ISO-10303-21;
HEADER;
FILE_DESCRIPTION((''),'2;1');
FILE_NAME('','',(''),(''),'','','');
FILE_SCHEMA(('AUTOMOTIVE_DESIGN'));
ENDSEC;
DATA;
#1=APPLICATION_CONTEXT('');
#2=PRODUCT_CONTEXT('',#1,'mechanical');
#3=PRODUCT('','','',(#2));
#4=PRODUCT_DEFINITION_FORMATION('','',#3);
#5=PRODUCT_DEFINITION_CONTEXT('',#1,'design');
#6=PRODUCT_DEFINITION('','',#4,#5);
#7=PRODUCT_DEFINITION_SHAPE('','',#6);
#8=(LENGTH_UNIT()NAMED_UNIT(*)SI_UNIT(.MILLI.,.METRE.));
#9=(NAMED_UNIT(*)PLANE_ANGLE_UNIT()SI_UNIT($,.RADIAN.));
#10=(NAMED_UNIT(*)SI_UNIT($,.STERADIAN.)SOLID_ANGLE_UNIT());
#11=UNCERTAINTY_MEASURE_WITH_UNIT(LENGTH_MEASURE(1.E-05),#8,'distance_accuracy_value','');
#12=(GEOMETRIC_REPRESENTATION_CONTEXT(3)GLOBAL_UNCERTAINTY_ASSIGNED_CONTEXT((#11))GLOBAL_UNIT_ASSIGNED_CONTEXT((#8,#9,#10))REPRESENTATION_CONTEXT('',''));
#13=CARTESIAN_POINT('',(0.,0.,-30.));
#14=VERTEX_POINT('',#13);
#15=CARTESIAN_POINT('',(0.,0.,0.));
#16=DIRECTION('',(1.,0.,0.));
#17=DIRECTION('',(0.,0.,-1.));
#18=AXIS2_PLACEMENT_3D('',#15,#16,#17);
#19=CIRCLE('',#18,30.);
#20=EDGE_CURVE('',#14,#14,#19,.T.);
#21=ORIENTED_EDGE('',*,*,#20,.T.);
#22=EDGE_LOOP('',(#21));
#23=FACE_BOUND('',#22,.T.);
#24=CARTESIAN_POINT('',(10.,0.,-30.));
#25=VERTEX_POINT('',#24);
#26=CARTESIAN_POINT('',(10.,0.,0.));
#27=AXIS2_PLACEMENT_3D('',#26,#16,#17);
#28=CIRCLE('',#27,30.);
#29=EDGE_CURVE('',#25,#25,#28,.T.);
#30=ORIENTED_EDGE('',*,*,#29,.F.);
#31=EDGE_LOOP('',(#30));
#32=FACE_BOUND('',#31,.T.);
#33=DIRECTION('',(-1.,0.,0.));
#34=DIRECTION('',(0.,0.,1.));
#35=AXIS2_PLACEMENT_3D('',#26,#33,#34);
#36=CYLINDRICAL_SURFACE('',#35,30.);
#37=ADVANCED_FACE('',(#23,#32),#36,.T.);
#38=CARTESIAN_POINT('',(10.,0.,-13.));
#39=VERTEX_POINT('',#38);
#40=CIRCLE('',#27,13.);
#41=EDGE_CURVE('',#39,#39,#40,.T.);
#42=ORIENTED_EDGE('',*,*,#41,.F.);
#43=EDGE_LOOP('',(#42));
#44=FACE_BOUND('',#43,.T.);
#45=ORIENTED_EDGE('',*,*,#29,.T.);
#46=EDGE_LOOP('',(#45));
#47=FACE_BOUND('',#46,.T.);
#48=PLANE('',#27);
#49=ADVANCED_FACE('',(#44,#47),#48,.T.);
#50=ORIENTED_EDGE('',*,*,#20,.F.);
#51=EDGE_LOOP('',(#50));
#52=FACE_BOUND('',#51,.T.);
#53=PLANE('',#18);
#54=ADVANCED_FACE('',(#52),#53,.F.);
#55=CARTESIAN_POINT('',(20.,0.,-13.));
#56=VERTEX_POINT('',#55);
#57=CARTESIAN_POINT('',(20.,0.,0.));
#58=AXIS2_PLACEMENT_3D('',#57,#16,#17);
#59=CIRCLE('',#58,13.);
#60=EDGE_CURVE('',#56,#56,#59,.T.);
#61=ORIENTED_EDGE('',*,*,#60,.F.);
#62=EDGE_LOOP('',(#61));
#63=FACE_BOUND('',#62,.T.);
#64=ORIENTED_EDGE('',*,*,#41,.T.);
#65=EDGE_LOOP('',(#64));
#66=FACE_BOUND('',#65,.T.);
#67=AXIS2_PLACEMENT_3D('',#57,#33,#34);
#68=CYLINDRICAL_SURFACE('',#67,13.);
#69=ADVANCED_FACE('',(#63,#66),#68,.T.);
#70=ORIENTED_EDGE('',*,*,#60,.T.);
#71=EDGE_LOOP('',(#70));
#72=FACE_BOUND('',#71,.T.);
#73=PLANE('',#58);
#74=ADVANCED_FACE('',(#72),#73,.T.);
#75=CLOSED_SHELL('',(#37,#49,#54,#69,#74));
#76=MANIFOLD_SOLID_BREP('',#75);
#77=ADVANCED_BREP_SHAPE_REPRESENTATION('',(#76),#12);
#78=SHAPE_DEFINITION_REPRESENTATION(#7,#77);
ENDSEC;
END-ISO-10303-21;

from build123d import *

# Parameters (mm, degrees)
SKETCH_1_R      = 30
EXTRUDE_1_DEPTH = 10
SKETCH_2_R      = 13
EXTRUDE_2_DEPTH = 10


with BuildPart() as part:
    # 草图1 → 凸台-拉伸1 (new body)
    with BuildSketch(Plane(origin=(0, 0, 0), x_dir=(0, 0, -1), z_dir=(1, 0, 0))):
        Circle(SKETCH_1_R)
    extrude(amount=EXTRUDE_1_DEPTH)

    # 草图2 → 凸台-拉伸2 (add)
    with BuildSketch(Plane(origin=(10, 0, 0), x_dir=(0, 0, -1), z_dir=(1, 0, 0))):
        Circle(SKETCH_2_R)
    extrude(amount=EXTRUDE_2_DEPTH)


solid = part.part
